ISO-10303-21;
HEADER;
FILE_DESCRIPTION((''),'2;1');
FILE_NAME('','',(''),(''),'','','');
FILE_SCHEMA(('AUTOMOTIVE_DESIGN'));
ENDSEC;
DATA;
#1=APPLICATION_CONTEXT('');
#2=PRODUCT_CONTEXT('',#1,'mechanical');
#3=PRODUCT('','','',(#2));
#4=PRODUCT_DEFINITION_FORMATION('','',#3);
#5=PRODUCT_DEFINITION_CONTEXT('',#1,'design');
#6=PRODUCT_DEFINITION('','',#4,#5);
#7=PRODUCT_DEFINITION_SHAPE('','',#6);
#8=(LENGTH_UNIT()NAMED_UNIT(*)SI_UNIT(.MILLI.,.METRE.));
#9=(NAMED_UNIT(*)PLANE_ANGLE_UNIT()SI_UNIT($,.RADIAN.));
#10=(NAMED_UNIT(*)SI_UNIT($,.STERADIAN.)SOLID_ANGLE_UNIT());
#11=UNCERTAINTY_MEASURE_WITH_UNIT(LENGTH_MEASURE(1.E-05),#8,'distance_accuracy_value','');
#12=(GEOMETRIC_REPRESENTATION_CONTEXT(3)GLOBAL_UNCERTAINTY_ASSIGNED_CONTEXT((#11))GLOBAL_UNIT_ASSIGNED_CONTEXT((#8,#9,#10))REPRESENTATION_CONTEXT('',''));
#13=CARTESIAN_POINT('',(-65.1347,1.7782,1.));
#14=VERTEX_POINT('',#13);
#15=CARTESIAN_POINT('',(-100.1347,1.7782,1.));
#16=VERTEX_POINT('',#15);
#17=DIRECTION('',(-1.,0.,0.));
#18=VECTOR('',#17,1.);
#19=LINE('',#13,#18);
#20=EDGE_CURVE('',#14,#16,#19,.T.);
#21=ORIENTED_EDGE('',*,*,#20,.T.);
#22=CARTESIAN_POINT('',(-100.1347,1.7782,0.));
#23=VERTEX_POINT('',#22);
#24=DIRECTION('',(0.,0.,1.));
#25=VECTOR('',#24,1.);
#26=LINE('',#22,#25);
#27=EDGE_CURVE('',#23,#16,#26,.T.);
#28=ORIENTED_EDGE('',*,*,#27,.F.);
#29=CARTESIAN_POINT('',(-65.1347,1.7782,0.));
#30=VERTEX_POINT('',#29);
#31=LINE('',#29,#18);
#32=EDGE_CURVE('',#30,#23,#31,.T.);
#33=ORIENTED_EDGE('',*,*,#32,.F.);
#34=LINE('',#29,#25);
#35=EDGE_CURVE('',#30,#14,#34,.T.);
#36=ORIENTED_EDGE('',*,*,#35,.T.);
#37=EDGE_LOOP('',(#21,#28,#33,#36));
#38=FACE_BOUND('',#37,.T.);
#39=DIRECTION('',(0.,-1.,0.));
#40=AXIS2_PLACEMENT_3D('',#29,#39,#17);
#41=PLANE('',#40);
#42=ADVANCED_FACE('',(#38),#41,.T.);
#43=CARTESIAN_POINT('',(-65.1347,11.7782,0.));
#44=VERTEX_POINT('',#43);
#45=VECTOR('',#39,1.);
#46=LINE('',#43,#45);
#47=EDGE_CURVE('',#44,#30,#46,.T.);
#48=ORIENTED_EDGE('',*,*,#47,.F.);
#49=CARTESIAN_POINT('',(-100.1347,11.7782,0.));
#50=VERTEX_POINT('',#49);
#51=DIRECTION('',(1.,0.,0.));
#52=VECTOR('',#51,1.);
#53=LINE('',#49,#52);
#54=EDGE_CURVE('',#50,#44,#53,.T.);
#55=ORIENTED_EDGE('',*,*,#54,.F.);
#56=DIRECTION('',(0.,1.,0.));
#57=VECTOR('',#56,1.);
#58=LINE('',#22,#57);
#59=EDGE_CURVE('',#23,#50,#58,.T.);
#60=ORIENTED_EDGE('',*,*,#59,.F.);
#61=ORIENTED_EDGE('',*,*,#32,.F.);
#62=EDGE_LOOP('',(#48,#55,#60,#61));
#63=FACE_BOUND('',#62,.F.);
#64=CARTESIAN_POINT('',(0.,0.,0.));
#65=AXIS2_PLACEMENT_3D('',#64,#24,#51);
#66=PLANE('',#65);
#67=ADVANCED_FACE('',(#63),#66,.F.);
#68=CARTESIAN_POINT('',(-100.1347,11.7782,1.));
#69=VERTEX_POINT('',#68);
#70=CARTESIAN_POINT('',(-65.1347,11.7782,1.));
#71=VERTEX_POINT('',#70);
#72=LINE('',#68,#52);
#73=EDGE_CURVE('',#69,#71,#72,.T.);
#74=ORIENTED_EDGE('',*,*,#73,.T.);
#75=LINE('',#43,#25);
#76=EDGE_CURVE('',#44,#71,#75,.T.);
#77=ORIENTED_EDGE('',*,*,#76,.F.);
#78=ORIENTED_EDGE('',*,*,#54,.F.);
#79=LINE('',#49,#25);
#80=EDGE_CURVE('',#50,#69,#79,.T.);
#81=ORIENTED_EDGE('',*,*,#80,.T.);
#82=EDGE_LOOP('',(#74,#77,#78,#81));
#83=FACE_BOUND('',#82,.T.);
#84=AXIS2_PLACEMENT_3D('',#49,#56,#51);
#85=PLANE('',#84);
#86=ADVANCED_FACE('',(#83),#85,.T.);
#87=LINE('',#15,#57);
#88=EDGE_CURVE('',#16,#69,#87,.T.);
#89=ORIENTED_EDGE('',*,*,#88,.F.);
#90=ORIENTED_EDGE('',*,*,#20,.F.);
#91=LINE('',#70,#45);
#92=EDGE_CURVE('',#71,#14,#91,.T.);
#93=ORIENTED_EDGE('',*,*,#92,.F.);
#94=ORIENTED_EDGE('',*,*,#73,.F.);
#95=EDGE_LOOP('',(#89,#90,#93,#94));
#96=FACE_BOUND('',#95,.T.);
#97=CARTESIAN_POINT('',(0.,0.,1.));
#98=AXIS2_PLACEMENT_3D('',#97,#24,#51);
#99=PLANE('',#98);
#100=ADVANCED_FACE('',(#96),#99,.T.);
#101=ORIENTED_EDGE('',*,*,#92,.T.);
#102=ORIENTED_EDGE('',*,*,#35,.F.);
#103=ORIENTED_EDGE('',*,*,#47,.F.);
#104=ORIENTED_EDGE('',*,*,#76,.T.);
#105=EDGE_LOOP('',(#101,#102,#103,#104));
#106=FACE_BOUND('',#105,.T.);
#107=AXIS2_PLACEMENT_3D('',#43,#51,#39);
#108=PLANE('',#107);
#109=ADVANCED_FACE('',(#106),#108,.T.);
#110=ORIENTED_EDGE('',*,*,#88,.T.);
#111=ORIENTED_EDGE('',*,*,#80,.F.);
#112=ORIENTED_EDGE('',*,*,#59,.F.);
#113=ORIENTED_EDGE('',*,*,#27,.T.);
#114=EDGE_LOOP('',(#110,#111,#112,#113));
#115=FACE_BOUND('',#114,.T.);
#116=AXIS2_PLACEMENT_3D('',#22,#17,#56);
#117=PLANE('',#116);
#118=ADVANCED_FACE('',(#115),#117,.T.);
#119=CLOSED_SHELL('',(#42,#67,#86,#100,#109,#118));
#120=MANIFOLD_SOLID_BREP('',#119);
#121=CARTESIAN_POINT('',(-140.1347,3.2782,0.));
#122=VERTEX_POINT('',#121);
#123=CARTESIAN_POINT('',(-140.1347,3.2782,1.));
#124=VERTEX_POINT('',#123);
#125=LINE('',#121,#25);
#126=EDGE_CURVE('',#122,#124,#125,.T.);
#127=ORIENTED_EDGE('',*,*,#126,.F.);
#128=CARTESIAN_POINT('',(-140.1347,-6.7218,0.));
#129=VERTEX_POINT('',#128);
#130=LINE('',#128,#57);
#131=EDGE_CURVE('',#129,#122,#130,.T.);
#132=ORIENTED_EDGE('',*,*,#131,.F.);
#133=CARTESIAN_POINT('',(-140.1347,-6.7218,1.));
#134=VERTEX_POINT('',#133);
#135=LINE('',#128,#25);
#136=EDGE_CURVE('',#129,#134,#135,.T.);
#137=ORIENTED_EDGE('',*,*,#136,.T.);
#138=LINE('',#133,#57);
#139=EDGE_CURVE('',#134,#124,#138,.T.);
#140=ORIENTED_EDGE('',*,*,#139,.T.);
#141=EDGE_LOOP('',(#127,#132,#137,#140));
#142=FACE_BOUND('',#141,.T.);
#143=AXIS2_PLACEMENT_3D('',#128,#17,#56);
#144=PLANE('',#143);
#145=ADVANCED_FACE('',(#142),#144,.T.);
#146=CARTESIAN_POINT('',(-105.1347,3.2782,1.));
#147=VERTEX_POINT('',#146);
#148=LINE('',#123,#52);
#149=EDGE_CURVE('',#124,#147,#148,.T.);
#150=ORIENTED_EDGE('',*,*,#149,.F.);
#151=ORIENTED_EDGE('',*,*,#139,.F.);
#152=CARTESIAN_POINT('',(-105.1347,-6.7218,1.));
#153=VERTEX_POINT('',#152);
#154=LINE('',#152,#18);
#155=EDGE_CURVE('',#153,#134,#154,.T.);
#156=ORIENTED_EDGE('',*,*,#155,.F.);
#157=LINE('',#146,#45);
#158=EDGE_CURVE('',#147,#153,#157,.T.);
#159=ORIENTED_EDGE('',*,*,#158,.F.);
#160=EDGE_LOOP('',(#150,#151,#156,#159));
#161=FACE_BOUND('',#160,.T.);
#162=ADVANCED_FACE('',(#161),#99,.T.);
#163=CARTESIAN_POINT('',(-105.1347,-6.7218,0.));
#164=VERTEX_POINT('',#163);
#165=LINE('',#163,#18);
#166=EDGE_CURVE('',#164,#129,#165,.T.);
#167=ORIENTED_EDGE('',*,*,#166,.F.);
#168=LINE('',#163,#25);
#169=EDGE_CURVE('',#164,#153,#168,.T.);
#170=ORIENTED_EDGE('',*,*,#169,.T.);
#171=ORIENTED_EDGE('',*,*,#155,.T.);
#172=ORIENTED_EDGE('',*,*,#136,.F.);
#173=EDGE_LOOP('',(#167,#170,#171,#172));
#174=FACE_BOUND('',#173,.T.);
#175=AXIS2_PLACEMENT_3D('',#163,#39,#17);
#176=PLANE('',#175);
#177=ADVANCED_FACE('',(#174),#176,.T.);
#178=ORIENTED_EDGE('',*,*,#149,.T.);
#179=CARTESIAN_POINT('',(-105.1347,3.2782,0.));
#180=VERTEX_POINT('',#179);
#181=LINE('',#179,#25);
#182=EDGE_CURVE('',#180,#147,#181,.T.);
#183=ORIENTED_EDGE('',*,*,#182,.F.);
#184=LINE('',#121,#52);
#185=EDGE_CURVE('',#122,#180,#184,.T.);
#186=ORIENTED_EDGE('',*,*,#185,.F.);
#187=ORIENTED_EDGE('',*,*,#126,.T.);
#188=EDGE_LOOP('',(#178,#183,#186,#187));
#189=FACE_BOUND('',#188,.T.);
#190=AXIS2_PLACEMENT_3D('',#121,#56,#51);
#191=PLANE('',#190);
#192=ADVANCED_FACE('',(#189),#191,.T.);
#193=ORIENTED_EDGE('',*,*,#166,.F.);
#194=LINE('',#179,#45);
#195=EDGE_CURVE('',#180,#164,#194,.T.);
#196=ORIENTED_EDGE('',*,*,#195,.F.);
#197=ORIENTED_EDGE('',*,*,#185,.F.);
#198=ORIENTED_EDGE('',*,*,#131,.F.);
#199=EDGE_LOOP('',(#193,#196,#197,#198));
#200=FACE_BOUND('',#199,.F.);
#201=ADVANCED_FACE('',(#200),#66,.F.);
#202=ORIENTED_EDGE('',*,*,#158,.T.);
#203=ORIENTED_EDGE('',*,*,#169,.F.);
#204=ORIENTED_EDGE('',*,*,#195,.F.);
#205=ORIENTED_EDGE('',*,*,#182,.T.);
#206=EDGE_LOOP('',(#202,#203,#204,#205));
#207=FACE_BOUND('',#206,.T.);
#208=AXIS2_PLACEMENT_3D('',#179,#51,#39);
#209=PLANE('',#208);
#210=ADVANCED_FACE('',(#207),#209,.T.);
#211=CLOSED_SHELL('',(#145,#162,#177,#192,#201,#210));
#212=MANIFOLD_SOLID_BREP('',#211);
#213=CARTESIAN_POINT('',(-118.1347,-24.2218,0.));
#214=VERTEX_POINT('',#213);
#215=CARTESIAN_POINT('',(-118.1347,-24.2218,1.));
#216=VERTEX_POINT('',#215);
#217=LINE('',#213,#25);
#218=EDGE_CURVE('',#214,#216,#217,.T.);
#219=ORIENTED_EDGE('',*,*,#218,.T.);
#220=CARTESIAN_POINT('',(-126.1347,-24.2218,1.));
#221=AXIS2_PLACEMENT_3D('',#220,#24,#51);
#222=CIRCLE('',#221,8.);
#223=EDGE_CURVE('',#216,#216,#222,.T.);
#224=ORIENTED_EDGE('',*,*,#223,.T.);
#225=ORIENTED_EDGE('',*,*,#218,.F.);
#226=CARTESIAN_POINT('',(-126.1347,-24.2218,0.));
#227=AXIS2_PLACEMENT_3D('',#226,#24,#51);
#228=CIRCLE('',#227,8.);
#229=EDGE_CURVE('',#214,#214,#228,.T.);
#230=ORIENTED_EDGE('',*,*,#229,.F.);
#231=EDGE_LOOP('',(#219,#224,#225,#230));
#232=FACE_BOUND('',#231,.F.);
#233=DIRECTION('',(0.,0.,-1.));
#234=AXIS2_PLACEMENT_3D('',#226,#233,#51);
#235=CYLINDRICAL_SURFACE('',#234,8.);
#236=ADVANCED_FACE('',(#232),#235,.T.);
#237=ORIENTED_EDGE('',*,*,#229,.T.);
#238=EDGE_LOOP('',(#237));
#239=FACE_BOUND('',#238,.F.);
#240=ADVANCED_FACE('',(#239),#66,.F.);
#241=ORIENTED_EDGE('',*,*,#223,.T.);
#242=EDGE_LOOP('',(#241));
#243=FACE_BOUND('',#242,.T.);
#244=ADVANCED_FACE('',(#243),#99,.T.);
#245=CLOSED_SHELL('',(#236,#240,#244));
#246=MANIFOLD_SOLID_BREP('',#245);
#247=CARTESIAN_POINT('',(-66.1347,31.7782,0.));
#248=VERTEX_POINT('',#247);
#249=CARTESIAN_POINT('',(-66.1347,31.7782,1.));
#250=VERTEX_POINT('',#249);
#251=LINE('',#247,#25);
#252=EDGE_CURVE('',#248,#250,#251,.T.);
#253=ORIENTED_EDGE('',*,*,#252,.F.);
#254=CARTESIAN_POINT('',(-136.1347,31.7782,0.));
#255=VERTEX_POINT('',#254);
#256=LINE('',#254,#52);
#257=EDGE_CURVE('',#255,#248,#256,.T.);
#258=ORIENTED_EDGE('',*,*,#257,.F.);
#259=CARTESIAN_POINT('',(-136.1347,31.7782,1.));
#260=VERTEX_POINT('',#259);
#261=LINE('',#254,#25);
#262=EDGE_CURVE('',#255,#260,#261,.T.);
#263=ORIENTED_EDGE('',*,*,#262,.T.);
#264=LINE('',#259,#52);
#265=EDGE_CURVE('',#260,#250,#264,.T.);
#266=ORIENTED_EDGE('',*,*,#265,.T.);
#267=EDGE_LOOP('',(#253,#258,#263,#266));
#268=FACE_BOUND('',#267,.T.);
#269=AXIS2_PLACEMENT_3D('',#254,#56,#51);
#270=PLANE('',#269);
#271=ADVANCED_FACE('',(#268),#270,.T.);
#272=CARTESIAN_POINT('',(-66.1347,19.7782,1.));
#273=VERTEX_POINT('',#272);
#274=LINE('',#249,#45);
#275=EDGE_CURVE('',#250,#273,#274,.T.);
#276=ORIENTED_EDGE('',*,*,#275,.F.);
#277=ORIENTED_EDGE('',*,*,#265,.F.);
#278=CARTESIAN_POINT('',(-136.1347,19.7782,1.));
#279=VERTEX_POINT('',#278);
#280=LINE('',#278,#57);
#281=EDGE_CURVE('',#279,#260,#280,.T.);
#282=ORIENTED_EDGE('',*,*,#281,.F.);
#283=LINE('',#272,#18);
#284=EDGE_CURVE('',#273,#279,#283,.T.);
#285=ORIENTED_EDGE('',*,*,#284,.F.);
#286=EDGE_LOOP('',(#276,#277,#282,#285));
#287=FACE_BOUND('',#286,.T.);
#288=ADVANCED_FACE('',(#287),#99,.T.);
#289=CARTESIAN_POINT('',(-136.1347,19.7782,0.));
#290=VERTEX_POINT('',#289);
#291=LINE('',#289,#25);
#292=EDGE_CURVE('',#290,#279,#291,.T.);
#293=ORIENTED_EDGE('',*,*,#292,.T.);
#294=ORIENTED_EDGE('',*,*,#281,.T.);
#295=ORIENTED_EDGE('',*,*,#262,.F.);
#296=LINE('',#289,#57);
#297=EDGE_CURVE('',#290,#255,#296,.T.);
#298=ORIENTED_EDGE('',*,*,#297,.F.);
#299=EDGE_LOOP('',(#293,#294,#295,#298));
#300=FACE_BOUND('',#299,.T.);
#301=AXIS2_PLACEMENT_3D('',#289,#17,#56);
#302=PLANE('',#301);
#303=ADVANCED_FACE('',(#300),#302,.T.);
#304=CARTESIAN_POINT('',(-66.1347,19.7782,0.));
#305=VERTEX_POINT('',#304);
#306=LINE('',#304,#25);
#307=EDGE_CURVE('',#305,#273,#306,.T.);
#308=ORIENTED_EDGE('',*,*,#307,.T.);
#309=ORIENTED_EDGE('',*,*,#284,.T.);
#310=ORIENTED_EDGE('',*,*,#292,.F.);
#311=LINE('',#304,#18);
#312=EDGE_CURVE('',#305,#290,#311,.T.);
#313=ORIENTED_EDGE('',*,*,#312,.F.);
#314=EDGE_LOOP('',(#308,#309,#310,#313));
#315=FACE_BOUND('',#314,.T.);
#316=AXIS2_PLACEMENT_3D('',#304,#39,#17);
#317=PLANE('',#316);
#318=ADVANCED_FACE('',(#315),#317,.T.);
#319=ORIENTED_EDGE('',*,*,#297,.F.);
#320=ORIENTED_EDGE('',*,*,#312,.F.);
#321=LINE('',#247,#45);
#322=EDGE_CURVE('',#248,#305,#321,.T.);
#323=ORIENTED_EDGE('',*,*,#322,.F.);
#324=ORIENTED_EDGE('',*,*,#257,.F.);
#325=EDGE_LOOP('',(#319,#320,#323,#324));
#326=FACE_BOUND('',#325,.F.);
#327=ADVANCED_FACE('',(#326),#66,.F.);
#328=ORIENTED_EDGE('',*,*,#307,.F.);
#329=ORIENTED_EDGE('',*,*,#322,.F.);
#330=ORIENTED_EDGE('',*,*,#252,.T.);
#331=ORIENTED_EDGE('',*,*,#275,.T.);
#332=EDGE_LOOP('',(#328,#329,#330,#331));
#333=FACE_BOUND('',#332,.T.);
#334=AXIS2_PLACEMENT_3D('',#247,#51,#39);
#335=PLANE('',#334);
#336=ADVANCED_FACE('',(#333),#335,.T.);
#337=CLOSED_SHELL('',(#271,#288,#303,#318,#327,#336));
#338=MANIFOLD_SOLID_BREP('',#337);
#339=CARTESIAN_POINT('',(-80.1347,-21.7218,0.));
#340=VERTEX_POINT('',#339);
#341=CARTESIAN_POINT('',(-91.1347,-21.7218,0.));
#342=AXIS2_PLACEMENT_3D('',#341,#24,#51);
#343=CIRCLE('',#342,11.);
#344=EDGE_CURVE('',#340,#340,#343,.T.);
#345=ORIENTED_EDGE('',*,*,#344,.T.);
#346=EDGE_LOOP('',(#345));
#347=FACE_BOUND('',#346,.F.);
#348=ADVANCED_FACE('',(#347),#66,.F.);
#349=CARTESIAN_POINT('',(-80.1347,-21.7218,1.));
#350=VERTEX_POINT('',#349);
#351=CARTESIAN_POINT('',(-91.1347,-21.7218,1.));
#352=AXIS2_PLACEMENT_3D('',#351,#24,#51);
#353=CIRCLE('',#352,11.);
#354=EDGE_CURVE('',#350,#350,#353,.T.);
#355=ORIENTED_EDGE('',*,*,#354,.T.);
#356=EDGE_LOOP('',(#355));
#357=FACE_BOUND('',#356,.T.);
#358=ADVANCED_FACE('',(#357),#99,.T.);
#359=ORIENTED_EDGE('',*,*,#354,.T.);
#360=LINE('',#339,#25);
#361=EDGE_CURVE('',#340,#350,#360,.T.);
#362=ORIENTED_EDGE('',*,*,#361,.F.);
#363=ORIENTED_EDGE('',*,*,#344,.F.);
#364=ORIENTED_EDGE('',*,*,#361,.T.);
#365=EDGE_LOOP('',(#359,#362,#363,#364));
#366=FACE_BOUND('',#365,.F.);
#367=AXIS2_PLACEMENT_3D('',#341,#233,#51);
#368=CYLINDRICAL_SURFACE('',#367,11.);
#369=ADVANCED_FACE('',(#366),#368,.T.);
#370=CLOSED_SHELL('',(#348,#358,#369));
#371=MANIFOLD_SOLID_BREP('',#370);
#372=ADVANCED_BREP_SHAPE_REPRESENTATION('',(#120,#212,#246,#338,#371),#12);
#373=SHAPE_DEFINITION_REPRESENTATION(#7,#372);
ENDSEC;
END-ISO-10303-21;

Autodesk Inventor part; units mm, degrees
ref_plane "YZ Plane" through (0, 0, 0) normal (1, 0, 0) x (0, 1, 0)
ref_plane "XZ Plane" through (0, 0, 0) normal (0, 1, 0) x (-1, 0, 0)
ref_plane "XY Plane" through (0, 0, 0) normal (0, 0, 1) x (1, 0, 0)
ref_plane "Work Plane1" through (0, 0, 0) normal (0, 0, 1) x (1, 0, 0)
sketch "Sketch1" plane through (0, 0, 0) normal (0, 0, 1) x (1, 0, 0)
  line L0 (-136.1347, 31.7782) -> (-66.1347, 31.7782)
  line L1 (-66.1347, 31.7782) -> (-66.1347, 19.7782)
  line L2 (-66.1347, 19.7782) -> (-136.1347, 19.7782)
  line L3 (-136.1347, 19.7782) -> (-136.1347, 31.7782)
  circle A0 centre (-126.1347, -24.2218) radius 8
  circle A1 centre (-126.1347, -24.2218) radius 10 construction
  circle A2 centre (-91.1347, -21.7218) radius 11
  circle A3 centre (-91.1347, -21.7218) radius 14.5 construction
  line L4 (-140.1347, 3.2782) -> (-105.1347, 3.2782)
  line L5 (-105.1347, 3.2782) -> (-105.1347, -6.7218)
  line L6 (-105.1347, -6.7218) -> (-140.1347, -6.7218)
  line L7 (-140.1347, -6.7218) -> (-140.1347, 3.2782)
  line L8 (-100.1347, 11.7782) -> (-65.1347, 11.7782)
  line L9 (-65.1347, 11.7782) -> (-65.1347, 1.7782)
  line L10 (-65.1347, 1.7782) -> (-100.1347, 1.7782)
  line L11 (-100.1347, 1.7782) -> (-100.1347, 11.7782)
  point P0 (0, 0)
  dimension "d0" = 70
  dimension "d1" = 12
  dimension "d2" = 16
  dimension "d3" = 20
  dimension "d4" = 22
  dimension "d5" = 29
  dimension "d6" = 10
  dimension "d7" = 35
  dimension "d8" = 10
  dimension "d9" = 35
  dimension "d11" = 8.5
  dimension "d12" = 25
  dimension "d13" = 2.5
  dimension "d14" = 35
  dimension "d15" = 5
  dimension "d16" = 20
  dimension "d17" = 15
  dimension "d77" = 14
extrude "Extrusion1" add sketch "Sketch1" along normal blind 1
sketch "Sketch2" plane through (0, 0, 1) normal (0, 0, 1) x (1, 0, 0)
  line L0 (-133.5304, 28.7782) -> (-67.3347, 28.7782) construction
  line L1 (-67.3347, 28.7782) -> (-67.3347, 21.7782) construction
  line L2 (-67.3347, 21.7782) -> (-133.5304, 21.7782) construction
  line L3 (-133.5304, 21.7782) -> (-133.5304, 28.7782) construction
  line L4 (-66.1347, 31.7782) -> (-136.1347, 31.7782) projected
  line L5 (-136.1347, 19.7782) -> (-66.1347, 19.7782) projected
  line L6 (-66.1347, 19.7782) -> (-66.1347, 31.7782) projected
  point P0 (0, 0)
  dimension "d82" = 3
  dimension "d83" = 2
  dimension "d84" = 1.2
decal "Decal1"
sketch "Sketch3" plane through (0, 0, 1) normal (0, 0, 1) x (1, 0, 0)
  line L0 (-93.1347, 9.7782) -> (-67.5514, 9.7782) construction
  line L1 (-67.5514, 9.7782) -> (-67.5514, 3.7782) construction
  line L2 (-67.5514, 3.7782) -> (-93.1347, 3.7782) construction
  line L3 (-93.1347, 3.7782) -> (-93.1347, 9.7782) construction
  line L4 (-100.1347, 11.7782) -> (-100.1347, 1.7782) projected
  line L5 (-65.1347, 11.7782) -> (-100.1347, 11.7782) projected
  line L6 (-100.1347, 1.7782) -> (-65.1347, 1.7782) projected
  line L7 (-65.1347, 1.7782) -> (-65.1347, 11.7782) projected
  point P0 (0, 0)
  dimension "d85" = 7
  dimension "d88" = 2
  dimension "d91" = 2
  dimension "d92" = 6
  dimension "d93" = 2.4167
decal "Decal2"
sketch "Sketch4" plane through (0, 0, 1) normal (0, 0, 1) x (1, 0, 0)
  line L0 (-135.6347, 1.2782) -> (-110.0514, 1.2782) construction
  line L1 (-110.0514, 1.2782) -> (-110.0514, -4.7218) construction
  line L2 (-110.0514, -4.7218) -> (-135.6347, -4.7218) construction
  line L3 (-135.6347, -4.7218) -> (-135.6347, 1.2782) construction
  line L4 (-140.1347, 3.2782) -> (-140.1347, -6.7218) projected
  line L5 (-105.1347, 3.2782) -> (-140.1347, 3.2782) projected
  line L6 (-140.1347, -6.7218) -> (-105.1347, -6.7218) projected
  line L7 (-105.1347, -6.7218) -> (-105.1347, 3.2782) projected
  point P0 (0, 0)
  dimension "d95" = 4.5
  dimension "d96" = 2
  dimension "d97" = 2
  dimension "d98" = 4.9167
decal "Decal3"
properties part number "on-air-control-layout-2"
